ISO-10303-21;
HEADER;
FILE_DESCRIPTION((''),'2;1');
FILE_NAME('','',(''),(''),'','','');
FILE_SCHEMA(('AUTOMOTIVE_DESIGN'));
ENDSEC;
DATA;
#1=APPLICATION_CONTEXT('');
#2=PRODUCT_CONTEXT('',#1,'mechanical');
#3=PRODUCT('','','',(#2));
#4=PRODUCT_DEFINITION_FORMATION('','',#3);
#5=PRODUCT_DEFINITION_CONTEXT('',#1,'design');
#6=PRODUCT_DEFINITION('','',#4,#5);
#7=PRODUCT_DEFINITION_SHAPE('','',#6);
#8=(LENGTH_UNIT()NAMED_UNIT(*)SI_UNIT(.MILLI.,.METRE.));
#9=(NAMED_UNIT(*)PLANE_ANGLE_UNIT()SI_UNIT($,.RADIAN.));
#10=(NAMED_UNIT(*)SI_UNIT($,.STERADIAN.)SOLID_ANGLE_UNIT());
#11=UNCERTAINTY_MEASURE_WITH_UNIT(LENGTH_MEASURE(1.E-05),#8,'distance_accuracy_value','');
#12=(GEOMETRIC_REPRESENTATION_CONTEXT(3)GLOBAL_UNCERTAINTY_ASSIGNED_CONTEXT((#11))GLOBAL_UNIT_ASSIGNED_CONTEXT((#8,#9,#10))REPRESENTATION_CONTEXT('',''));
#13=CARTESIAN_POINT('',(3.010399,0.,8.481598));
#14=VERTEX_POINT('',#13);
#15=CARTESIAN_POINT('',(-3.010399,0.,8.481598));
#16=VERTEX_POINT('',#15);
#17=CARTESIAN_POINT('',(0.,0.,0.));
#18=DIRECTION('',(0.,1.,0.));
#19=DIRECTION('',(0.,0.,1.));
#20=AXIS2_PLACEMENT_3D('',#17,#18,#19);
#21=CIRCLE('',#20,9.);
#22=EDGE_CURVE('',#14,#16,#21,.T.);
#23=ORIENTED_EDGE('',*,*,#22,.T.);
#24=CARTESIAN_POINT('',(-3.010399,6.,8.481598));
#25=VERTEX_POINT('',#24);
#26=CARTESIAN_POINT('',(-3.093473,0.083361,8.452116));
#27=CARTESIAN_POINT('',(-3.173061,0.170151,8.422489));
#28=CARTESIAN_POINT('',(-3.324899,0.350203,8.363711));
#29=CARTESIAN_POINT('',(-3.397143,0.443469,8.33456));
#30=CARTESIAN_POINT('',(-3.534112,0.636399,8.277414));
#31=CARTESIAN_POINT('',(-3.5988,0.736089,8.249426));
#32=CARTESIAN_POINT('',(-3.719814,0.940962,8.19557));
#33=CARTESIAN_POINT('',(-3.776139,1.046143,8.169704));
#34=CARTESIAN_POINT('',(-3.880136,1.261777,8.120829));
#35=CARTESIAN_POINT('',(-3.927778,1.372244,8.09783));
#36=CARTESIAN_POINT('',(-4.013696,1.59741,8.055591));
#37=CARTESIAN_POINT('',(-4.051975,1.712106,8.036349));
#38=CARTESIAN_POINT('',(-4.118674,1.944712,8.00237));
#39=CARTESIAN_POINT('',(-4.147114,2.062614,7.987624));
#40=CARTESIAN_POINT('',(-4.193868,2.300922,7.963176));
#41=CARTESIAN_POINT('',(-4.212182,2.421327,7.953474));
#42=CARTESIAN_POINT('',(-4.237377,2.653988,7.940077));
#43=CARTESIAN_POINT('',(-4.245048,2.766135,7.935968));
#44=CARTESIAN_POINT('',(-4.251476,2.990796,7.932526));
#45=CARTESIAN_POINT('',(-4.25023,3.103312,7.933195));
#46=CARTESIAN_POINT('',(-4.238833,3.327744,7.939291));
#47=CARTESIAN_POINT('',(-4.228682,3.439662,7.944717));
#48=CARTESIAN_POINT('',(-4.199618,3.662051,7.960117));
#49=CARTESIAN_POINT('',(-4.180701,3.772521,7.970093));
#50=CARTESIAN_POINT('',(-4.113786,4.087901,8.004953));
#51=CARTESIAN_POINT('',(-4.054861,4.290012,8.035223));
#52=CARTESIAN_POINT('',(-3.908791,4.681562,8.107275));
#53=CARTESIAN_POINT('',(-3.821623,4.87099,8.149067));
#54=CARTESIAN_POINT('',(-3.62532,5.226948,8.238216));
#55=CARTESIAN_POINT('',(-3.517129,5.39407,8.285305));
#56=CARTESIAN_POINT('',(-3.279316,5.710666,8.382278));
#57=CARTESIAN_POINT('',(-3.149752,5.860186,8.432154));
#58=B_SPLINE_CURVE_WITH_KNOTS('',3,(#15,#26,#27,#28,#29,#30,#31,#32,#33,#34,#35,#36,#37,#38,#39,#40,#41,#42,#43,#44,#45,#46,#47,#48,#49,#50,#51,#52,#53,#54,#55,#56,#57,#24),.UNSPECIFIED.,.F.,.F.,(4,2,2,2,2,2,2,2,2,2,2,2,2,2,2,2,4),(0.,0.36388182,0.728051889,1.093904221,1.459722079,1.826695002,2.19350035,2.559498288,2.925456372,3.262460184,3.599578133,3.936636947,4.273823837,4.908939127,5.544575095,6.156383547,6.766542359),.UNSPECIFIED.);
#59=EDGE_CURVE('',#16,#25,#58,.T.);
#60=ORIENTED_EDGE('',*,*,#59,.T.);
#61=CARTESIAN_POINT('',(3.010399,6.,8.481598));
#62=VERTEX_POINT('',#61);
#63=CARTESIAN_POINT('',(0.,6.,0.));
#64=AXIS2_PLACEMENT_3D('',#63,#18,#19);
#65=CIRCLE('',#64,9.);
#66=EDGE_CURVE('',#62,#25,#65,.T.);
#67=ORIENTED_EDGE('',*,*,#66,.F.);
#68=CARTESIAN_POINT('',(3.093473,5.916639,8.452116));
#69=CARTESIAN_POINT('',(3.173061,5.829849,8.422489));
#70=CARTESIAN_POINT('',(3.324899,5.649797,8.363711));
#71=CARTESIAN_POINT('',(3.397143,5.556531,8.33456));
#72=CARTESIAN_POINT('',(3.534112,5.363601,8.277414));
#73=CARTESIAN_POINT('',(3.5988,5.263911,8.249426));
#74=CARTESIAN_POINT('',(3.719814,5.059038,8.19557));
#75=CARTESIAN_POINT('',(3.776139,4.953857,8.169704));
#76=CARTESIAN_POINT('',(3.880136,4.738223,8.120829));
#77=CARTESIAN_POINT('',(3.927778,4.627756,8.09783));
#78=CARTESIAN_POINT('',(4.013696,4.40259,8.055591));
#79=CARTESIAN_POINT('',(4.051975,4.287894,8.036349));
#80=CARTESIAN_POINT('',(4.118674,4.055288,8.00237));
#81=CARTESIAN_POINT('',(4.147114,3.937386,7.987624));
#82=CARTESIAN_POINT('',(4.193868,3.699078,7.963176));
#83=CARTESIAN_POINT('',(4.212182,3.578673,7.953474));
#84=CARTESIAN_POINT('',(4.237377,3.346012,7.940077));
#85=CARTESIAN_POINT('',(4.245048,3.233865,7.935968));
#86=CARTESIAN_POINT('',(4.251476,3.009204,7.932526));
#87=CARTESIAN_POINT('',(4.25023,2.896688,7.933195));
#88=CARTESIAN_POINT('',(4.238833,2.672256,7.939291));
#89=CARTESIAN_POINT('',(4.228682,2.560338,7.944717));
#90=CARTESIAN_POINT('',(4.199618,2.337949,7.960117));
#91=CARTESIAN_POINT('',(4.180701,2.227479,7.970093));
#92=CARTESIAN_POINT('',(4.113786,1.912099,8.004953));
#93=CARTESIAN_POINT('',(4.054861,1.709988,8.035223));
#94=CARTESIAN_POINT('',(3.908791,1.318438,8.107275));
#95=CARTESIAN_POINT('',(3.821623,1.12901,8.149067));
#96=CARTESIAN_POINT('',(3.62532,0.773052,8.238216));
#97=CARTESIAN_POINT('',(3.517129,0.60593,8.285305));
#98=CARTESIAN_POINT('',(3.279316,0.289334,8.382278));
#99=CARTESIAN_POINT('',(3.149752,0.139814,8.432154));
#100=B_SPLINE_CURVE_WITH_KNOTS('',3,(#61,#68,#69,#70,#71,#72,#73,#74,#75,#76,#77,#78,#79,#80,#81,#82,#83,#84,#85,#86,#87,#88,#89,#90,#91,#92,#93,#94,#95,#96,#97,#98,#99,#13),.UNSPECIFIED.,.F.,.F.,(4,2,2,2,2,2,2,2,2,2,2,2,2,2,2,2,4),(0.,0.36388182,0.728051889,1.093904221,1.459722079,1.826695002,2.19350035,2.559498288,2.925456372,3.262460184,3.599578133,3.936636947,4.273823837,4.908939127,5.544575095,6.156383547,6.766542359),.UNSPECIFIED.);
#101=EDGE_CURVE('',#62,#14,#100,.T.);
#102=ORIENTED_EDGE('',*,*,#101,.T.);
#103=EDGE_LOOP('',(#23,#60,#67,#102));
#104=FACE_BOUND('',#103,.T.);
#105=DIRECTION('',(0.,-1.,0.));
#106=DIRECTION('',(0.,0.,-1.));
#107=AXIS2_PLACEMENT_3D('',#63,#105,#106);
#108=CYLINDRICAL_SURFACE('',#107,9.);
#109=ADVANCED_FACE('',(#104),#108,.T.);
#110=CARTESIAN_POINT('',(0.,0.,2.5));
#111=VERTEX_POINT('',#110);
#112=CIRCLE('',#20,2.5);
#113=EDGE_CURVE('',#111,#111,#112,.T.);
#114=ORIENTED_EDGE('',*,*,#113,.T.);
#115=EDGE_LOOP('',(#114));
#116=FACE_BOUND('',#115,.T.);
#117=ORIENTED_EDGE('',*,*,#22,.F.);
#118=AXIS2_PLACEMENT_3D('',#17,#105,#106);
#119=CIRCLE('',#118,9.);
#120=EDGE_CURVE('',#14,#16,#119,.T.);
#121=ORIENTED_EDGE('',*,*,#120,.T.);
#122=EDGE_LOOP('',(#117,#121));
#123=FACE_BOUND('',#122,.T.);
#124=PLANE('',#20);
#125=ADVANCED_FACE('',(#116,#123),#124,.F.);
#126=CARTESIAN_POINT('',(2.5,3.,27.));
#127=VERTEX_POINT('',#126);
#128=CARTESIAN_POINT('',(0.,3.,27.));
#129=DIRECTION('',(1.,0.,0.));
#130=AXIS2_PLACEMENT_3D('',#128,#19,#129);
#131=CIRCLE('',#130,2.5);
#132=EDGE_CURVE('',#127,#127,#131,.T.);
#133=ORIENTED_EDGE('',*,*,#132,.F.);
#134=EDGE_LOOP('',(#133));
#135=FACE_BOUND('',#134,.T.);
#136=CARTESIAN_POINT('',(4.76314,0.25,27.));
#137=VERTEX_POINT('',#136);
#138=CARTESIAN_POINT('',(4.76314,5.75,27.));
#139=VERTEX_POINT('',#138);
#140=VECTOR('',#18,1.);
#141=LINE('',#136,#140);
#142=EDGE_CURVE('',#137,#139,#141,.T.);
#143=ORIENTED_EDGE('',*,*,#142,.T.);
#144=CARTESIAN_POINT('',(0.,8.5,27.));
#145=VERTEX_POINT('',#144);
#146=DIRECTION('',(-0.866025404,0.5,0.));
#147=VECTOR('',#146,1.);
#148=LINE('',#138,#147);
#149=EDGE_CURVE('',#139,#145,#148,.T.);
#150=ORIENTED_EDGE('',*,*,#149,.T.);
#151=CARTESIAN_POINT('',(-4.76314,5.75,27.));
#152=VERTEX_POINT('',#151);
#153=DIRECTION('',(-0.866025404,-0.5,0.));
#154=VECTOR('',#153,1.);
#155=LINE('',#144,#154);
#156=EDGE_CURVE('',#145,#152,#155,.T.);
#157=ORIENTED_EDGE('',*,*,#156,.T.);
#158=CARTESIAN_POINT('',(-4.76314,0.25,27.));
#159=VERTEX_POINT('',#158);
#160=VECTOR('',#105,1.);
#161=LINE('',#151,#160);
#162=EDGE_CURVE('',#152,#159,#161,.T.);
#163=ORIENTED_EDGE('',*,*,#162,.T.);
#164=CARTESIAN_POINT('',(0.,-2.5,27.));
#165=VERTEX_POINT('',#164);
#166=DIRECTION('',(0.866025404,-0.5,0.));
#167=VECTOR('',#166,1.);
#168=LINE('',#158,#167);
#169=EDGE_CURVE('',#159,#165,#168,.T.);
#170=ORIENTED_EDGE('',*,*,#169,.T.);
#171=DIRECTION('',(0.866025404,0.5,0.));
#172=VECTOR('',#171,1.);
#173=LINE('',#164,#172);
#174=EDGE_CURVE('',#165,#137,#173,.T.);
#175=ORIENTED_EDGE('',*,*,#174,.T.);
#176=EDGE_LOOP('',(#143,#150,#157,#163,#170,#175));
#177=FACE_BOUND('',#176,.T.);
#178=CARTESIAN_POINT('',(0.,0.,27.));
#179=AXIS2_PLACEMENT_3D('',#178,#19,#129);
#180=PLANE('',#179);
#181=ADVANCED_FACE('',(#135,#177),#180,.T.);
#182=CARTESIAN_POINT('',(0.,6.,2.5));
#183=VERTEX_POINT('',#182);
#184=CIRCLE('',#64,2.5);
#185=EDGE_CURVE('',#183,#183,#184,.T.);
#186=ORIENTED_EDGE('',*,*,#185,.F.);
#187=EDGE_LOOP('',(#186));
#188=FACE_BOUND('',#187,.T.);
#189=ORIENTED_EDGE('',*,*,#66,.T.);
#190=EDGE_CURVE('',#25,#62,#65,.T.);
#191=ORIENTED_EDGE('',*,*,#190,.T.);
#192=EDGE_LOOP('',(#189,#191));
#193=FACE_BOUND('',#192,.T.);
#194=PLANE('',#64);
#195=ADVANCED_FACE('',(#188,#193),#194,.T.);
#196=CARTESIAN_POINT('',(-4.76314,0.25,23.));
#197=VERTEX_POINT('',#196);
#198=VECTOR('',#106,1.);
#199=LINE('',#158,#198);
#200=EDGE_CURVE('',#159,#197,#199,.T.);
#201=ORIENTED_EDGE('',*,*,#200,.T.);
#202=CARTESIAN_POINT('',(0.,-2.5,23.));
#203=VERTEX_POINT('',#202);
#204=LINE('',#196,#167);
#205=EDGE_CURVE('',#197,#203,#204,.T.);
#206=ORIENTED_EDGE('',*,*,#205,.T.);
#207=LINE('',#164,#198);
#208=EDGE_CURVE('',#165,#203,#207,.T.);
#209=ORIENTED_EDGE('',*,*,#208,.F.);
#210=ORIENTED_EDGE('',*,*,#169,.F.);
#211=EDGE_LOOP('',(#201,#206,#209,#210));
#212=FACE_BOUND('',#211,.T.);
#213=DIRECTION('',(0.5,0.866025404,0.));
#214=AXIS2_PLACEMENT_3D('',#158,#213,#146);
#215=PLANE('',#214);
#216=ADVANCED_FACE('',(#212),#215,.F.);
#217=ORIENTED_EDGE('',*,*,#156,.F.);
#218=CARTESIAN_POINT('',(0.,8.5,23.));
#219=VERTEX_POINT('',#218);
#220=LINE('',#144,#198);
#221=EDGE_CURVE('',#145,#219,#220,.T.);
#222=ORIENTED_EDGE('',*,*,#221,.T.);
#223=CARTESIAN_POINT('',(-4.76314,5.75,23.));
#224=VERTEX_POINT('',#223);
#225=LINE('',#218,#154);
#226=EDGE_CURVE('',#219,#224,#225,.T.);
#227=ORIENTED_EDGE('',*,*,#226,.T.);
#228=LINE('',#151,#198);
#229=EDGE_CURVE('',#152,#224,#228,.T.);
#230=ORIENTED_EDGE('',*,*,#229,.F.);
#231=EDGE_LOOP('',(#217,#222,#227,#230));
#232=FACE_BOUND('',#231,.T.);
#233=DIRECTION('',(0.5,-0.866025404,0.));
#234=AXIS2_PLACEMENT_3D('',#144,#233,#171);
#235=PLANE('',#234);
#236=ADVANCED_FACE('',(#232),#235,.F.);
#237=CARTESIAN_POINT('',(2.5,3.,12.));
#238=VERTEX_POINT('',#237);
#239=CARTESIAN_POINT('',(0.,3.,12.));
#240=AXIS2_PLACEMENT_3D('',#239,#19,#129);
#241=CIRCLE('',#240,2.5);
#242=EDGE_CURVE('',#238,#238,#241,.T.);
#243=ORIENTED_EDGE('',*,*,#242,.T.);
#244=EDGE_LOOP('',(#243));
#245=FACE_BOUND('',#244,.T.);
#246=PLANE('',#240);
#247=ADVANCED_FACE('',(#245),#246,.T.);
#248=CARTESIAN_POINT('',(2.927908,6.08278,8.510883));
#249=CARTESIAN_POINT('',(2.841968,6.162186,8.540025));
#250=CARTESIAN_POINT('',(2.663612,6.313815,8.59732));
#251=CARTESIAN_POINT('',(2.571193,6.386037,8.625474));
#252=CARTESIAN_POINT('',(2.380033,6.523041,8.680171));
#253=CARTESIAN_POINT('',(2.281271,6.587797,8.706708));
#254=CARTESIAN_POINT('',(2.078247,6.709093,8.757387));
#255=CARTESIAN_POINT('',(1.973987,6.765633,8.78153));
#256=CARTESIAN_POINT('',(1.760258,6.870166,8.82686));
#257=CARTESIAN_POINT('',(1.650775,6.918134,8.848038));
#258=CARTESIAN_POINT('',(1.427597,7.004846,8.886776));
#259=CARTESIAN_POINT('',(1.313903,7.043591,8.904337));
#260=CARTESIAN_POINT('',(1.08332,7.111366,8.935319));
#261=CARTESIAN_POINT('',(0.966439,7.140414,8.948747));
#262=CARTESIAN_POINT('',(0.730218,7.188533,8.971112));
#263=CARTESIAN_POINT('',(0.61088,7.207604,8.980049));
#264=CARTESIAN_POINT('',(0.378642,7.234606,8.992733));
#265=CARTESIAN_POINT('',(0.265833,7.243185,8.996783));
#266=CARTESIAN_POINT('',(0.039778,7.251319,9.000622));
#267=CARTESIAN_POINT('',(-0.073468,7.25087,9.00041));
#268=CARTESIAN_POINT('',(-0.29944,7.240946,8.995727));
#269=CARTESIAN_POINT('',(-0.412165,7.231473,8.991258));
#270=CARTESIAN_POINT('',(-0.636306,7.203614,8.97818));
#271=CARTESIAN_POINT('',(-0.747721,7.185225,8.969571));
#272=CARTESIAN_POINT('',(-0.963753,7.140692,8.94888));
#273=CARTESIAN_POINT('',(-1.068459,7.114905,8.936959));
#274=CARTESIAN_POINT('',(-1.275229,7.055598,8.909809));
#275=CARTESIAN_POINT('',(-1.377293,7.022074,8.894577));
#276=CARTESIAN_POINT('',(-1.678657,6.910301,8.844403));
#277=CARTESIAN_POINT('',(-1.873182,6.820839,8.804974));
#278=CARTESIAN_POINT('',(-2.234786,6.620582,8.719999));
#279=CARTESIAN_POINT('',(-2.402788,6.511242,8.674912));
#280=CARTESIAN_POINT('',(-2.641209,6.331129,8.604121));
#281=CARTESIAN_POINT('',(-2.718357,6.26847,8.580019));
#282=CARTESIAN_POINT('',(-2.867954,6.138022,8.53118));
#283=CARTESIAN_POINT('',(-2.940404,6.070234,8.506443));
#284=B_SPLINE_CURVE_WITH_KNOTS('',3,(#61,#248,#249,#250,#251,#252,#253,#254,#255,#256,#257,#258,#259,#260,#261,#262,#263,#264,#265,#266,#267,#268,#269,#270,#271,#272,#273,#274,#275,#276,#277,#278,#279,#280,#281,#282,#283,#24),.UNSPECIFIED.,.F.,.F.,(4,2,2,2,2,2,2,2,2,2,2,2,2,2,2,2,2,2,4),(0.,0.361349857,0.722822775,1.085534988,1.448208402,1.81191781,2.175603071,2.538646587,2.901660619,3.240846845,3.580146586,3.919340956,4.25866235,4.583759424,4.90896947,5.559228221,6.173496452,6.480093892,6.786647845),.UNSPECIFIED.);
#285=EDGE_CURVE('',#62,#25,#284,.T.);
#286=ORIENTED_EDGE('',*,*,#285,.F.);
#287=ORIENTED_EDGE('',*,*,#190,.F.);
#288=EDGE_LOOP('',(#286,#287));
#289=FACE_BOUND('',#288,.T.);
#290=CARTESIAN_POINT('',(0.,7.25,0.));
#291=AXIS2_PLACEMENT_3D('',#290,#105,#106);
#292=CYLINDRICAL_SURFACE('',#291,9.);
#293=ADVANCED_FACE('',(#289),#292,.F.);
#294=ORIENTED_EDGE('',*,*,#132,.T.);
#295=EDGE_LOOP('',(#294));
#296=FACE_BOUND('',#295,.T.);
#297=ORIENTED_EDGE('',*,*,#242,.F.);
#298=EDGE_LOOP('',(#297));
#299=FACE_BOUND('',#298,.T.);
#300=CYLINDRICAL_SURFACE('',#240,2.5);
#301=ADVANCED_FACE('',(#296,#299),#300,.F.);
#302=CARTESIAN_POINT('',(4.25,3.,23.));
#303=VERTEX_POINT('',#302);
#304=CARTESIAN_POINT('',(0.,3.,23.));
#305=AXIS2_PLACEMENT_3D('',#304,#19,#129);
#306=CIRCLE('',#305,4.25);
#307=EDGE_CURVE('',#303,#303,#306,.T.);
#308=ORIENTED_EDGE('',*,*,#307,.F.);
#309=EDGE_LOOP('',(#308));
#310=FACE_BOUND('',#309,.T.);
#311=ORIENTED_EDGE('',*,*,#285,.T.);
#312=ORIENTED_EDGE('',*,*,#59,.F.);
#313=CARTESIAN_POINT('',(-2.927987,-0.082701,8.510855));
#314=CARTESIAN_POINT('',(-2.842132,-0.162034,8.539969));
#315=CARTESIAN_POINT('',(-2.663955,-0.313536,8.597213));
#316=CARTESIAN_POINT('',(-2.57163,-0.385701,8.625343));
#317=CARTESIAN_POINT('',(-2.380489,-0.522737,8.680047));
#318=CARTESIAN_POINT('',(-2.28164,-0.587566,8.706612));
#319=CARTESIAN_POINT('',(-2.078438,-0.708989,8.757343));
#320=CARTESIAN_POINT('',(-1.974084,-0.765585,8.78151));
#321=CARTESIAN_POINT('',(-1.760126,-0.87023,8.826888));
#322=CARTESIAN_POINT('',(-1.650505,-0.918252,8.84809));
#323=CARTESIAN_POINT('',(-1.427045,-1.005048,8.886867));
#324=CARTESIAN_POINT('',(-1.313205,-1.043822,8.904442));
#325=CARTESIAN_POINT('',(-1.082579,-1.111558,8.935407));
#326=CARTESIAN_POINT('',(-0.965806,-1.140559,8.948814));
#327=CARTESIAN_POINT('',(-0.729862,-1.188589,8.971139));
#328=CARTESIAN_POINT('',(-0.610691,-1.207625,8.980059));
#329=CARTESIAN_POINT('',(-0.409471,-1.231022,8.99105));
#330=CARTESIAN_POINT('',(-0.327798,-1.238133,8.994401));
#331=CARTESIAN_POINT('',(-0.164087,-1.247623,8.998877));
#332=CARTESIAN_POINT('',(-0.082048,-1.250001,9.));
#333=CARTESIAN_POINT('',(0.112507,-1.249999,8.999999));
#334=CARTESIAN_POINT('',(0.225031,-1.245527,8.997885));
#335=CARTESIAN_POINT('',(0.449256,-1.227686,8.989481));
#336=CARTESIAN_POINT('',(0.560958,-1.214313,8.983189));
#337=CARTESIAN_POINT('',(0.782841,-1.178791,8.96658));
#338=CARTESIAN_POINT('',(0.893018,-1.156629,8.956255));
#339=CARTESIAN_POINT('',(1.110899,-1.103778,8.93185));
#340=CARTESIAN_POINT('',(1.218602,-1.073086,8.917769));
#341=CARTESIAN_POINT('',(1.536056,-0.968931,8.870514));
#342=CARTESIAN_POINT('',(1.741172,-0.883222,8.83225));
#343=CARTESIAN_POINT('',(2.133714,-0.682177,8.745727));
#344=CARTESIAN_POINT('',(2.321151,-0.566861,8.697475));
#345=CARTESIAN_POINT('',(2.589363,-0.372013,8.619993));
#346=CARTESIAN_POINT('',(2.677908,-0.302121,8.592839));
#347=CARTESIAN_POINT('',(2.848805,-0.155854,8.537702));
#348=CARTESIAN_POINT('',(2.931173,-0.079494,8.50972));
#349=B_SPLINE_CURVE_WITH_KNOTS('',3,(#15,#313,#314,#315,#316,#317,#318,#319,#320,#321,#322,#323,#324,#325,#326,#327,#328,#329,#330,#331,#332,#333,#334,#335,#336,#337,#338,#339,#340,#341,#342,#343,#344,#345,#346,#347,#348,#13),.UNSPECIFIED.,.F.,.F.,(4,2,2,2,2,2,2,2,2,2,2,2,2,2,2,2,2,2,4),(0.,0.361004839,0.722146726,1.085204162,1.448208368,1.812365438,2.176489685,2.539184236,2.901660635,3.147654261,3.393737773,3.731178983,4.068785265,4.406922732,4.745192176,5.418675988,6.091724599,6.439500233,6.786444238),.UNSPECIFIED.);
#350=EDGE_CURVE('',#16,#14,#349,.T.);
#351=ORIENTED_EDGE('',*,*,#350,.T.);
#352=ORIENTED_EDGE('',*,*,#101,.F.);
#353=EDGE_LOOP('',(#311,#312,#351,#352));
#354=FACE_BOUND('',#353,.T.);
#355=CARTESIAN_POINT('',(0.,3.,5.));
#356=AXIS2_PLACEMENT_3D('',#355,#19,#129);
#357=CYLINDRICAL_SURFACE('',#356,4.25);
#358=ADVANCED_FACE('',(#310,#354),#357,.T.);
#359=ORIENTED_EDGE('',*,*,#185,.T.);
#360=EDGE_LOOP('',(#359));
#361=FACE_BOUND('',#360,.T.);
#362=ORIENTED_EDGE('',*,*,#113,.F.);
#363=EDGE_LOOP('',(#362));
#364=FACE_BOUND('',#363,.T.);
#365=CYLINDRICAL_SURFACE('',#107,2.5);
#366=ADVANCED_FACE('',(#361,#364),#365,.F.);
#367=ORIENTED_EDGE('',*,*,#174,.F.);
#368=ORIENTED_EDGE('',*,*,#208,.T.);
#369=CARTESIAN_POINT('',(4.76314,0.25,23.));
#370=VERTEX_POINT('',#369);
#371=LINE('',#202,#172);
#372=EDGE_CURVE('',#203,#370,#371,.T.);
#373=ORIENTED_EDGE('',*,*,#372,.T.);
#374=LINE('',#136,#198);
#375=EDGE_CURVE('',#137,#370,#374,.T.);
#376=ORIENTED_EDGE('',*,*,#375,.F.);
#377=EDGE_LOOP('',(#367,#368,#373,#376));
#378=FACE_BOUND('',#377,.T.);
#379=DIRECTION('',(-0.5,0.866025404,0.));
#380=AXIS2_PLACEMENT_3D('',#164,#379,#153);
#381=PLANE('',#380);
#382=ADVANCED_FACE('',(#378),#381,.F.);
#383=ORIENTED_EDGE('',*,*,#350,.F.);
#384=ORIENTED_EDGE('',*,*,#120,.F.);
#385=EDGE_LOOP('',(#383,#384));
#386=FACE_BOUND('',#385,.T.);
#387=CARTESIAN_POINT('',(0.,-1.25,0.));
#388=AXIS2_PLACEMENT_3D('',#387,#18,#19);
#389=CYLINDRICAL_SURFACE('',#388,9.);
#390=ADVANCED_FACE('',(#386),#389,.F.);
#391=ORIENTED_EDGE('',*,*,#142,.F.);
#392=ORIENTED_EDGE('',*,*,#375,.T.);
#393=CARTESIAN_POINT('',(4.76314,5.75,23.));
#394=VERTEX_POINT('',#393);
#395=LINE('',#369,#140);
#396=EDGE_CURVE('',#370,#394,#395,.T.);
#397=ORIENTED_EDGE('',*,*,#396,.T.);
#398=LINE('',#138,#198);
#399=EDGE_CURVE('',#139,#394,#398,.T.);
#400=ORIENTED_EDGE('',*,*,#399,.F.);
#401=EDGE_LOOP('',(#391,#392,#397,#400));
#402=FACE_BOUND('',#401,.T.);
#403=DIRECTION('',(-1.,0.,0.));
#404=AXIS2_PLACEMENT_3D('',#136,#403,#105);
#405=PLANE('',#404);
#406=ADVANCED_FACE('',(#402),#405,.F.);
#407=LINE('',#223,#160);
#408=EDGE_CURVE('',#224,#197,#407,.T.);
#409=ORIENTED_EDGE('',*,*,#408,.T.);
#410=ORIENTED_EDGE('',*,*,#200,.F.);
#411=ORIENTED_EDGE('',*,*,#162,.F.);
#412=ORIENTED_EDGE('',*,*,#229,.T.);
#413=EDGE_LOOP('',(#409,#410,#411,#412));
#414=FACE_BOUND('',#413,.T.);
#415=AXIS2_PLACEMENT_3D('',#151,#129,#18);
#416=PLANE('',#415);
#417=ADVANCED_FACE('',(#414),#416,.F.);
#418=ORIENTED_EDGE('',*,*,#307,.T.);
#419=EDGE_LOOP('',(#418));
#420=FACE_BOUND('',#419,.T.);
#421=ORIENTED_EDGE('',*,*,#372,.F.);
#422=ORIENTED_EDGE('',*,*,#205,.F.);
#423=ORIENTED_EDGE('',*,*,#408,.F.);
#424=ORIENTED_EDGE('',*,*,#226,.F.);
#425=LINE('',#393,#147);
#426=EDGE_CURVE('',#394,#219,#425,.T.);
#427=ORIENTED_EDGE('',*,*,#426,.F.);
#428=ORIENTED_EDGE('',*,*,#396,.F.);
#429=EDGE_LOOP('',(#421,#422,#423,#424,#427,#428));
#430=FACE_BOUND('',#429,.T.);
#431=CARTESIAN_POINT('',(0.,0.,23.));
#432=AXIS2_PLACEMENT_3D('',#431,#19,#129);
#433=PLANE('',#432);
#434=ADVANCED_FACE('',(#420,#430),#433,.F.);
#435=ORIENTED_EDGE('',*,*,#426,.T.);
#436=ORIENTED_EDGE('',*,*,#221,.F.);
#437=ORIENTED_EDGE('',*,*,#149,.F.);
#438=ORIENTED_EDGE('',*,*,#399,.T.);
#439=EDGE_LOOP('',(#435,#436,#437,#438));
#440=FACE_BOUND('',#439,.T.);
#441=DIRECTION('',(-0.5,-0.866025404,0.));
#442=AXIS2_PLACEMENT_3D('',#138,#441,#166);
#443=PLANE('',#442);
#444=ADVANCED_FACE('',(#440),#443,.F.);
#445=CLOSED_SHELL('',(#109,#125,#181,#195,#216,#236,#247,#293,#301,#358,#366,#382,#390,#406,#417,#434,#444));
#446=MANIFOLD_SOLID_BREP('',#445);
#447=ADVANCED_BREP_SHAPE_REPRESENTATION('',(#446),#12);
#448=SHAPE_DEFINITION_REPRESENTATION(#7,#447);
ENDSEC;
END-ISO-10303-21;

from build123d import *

# Parameters (mm, degrees)
SKETCH_1_R          = 9
SKETCH_1_R_2        = 2.5
EXTRUDE_1_DEPTH     = 6
SKETCH_2_R          = 4.25
EXTRUDE_2_DEPTH     = 18
SKETCH_3_R          = 9
CUT_EXTRUDE_1_DEPTH = 26.740289584
SKETCH_4_R          = 9
CUT_EXTRUDE_2_DEPTH = 26.740289584
EXTRUDE_3_DEPTH     = 4
SKETCH_6_R          = 2.5
CUT_EXTRUDE_3_DEPTH = 15


with BuildPart() as part:
    # 草图1 → 凸台-拉伸1 (new body)
    with BuildSketch(Plane(origin=(0, 0, 0), x_dir=(1, 0, 0), z_dir=(0, 1, 0))):
        with Locations(Location((0, 0, 0), (0, 0, 270))):
            Circle(SKETCH_1_R)
        with Locations(Location((0, 0, 0), (0, 0, 270))):
            Circle(SKETCH_1_R_2, mode=Mode.SUBTRACT)
    extrude(amount=EXTRUDE_1_DEPTH)

    # 草图2 → 凸台-拉伸2 (add)
    with BuildSketch(Plane.XY.offset(23)):
        with Locations((0, 3)):
            Circle(SKETCH_2_R)
    extrude(amount=-EXTRUDE_2_DEPTH)

    # 草图3 → 切除-拉伸1 (cut, through all)
    with BuildSketch(Plane(origin=(0, 6, 0), x_dir=(1, 0, 0), z_dir=(0, 1, 0))):
        Circle(SKETCH_3_R)
    extrude(amount=CUT_EXTRUDE_1_DEPTH, mode=Mode.SUBTRACT)

    # 草图4 → 切除-拉伸2 (cut, through all)
    with BuildSketch(Plane.XZ):
        Circle(SKETCH_4_R)
    extrude(amount=CUT_EXTRUDE_2_DEPTH, mode=Mode.SUBTRACT)

    # 草图5 → 凸台-拉伸3 (add)
    with BuildSketch(Plane.XY.offset(23)):
        Polygon((0, 8.5), (-4.763139721, 5.75), (-4.763139721, 0.25), (0, -2.5), (4.763139721, 0.25), (4.763139721, 5.75), align=None)
    extrude(amount=EXTRUDE_3_DEPTH)

    # 草图6 → 切除-拉伸3 (cut)
    with BuildSketch(Plane.XY.offset(27)):
        with Locations((0, 3)):
            Circle(SKETCH_6_R)
    extrude(amount=-CUT_EXTRUDE_3_DEPTH, mode=Mode.SUBTRACT)


solid = part.part
